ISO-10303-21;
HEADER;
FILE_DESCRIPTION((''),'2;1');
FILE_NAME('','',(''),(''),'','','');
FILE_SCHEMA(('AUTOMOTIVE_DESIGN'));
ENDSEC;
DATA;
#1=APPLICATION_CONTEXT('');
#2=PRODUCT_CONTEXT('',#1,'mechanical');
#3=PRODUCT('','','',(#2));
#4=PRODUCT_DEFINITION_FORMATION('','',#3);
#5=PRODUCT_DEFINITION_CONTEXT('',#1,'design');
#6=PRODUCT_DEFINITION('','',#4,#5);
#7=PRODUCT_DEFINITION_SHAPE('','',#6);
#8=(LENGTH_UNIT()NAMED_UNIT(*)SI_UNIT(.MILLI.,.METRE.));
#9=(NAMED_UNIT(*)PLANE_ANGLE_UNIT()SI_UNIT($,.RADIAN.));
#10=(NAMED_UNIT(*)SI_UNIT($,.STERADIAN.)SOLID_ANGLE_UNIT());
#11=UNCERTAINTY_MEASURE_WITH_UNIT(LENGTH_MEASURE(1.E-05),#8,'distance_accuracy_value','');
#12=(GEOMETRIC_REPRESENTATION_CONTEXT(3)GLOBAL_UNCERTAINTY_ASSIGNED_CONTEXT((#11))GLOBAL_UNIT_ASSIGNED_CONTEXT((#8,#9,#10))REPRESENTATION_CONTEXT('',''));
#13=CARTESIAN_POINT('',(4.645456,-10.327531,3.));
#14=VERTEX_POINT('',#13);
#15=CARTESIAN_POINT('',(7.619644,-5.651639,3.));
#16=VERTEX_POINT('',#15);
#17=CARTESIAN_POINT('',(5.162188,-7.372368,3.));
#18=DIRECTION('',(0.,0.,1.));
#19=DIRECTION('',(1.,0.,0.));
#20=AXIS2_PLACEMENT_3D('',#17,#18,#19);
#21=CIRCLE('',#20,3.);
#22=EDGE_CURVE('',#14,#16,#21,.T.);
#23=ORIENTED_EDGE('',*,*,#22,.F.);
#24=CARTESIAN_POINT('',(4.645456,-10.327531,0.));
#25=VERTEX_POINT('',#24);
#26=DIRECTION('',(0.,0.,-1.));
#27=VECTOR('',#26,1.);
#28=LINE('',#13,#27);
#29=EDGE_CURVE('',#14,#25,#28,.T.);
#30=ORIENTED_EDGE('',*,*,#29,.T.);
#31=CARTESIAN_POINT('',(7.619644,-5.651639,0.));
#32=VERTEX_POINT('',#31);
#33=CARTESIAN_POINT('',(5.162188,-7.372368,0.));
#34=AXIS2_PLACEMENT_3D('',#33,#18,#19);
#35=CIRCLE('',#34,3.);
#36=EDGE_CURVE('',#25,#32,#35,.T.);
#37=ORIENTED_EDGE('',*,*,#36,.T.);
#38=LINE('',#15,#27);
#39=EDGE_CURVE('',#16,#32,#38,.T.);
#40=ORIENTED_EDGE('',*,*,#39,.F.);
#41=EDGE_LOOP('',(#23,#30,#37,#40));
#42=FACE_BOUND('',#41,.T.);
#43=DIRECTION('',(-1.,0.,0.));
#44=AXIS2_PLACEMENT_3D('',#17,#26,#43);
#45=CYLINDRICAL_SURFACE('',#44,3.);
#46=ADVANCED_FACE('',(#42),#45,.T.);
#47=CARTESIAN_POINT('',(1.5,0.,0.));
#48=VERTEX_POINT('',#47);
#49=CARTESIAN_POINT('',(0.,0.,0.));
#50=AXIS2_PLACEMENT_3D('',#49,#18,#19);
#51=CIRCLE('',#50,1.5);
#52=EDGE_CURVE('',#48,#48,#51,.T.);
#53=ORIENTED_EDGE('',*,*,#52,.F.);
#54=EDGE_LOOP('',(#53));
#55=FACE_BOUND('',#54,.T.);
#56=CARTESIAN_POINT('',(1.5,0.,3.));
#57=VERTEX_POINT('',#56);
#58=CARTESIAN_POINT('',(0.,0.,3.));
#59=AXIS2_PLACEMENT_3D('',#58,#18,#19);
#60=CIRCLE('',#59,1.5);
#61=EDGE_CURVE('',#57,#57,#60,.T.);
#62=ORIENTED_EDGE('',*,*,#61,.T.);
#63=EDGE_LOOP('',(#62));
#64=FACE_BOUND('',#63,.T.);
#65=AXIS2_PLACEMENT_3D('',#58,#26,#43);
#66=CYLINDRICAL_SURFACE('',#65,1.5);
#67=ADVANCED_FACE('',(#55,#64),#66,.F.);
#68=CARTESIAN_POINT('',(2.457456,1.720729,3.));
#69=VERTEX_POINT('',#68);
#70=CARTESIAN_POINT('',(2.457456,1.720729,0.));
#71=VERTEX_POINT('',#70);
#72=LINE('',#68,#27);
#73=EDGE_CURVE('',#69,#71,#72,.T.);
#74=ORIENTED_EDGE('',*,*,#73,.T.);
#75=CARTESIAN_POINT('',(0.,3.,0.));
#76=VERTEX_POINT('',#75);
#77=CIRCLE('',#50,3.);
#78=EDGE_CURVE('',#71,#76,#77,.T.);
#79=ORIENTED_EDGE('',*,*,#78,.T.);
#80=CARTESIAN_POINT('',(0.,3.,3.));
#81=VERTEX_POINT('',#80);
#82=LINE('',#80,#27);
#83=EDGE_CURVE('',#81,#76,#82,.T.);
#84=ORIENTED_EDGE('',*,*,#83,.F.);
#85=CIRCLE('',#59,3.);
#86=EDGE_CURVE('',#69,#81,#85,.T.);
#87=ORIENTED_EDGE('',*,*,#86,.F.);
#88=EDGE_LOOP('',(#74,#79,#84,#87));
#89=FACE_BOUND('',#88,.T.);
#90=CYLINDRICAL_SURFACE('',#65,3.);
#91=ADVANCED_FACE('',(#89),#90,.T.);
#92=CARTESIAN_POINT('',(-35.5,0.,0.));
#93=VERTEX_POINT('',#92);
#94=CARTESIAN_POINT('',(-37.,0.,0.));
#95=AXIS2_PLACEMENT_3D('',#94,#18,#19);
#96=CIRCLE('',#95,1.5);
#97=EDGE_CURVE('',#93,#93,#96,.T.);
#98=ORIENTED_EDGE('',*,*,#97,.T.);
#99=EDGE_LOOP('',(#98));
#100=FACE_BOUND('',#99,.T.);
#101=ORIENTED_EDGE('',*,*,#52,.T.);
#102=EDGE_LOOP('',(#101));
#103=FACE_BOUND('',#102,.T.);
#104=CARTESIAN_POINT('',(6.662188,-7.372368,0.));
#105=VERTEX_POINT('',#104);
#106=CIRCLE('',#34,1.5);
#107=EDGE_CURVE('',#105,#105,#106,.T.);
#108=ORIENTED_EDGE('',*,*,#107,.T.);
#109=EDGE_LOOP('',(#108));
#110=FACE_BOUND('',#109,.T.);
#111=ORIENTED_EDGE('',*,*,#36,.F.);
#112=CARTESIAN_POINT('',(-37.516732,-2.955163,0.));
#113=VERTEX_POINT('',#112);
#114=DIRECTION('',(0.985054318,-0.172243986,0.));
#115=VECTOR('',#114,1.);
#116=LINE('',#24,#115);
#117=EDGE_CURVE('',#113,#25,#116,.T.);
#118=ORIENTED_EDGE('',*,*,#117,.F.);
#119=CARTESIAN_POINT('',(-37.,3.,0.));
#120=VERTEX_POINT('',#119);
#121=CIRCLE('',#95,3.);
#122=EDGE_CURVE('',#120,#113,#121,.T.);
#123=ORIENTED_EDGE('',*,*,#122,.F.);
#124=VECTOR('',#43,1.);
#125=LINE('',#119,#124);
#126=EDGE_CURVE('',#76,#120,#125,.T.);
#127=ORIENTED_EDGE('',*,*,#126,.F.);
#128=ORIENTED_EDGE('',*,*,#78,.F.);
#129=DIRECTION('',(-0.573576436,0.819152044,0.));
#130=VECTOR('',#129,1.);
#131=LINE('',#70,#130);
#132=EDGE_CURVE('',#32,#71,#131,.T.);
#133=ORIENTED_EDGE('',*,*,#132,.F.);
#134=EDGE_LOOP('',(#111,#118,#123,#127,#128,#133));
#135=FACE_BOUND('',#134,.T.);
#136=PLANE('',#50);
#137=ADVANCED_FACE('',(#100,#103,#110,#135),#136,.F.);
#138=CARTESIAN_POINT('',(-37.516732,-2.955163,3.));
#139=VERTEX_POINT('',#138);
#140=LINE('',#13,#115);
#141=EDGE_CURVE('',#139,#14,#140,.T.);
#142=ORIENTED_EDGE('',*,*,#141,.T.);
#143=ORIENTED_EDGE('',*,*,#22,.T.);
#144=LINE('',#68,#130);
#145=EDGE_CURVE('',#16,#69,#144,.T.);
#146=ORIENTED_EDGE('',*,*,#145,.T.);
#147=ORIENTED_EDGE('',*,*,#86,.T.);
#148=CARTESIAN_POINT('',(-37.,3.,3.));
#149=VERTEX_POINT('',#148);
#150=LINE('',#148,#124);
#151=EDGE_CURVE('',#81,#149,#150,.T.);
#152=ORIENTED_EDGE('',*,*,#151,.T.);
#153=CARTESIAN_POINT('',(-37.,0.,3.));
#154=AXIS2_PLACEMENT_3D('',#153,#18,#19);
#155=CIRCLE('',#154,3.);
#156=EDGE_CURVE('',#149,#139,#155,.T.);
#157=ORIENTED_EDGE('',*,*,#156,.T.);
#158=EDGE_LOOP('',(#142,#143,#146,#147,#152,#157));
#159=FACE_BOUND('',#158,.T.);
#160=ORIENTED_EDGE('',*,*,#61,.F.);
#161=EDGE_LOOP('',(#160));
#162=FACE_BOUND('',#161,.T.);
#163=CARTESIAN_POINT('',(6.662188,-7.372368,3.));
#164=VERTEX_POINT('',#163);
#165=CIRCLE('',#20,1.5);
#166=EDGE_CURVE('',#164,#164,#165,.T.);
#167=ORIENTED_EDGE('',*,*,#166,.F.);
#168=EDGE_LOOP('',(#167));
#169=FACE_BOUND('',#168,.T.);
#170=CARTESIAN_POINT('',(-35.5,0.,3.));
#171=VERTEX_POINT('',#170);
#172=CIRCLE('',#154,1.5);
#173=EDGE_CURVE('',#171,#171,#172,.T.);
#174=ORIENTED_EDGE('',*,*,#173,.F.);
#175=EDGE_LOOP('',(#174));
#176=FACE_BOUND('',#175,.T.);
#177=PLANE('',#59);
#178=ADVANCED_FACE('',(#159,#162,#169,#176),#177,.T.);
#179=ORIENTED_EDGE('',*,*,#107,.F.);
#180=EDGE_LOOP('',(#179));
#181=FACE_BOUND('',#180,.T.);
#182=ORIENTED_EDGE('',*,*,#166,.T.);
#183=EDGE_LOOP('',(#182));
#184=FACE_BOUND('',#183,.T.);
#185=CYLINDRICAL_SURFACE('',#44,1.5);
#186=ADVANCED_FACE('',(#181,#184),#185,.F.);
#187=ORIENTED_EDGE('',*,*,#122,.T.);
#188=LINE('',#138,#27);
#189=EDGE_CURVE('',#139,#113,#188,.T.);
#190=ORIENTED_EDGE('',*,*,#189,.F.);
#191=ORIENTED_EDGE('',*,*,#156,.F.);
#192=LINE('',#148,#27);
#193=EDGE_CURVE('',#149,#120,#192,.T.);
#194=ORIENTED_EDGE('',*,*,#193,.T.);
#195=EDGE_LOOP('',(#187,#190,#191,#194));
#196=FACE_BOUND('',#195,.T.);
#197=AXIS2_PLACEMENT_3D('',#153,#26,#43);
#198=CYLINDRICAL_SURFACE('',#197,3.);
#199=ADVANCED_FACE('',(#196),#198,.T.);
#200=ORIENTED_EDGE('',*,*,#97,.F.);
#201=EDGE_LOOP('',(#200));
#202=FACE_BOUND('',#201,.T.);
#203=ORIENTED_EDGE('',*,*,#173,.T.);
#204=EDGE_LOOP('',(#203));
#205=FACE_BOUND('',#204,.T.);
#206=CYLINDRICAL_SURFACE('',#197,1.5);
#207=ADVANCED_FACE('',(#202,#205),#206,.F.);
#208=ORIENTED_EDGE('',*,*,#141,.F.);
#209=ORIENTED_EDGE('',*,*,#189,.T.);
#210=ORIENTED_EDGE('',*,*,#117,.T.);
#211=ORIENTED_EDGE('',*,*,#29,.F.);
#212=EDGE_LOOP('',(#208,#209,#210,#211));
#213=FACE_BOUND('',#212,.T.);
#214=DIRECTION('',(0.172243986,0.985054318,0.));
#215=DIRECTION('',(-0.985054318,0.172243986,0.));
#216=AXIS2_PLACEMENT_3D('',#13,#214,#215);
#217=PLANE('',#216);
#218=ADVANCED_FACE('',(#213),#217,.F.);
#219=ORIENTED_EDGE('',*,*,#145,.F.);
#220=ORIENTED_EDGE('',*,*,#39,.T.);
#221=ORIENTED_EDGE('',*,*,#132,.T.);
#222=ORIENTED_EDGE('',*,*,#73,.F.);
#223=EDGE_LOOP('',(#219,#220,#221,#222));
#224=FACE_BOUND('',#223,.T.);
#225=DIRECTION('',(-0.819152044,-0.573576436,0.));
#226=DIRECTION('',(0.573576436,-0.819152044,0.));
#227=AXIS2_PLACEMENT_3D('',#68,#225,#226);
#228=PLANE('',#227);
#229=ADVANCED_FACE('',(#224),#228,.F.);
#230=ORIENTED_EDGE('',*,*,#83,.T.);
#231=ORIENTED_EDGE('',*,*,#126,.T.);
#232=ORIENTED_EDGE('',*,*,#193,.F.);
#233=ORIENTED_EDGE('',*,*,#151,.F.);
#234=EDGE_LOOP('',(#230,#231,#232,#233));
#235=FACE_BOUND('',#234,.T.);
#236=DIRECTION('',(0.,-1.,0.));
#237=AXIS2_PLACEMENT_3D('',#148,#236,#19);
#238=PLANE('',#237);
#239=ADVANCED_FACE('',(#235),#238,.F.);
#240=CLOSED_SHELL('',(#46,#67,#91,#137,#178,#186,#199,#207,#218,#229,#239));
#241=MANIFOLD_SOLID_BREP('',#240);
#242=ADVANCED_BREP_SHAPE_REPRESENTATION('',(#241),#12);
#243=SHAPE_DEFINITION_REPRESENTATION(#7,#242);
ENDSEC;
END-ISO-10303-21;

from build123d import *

# Parameters (mm, degrees)
SKETCH2_R           = 1.5
BOSS_EXTRUDE1_DEPTH = 3


with BuildPart() as part:
    # Sketch2 → Boss-Extrude1 (new body)
    with BuildSketch(Plane.XY):
        with BuildLine():
            Line((-37, 3), (0, 3))
            ThreePointArc((0, 3), (1.38524584, 2.6610325), (2.457456133, 1.720729309))
            Line((2.457456133, 1.720729309), (7.61964406, -5.65163909))
            ThreePointArc((7.61964406, -5.65163909), (7.693510643, -8.982463212), (4.645455968, -10.327531352))
            Line((4.645455968, -10.327531352), (-37.516731959, -2.955162954))
            ThreePointArc((-37.516731959, -2.955162954), (-39.988769719, 0.259336788), (-37, 3))
        make_face()
        with Locations((-37, 0)):
            Circle(SKETCH2_R, mode=Mode.SUBTRACT)
        Circle(SKETCH2_R, mode=Mode.SUBTRACT)
        with Locations((5.162187927, -7.372368399)):
            Circle(SKETCH2_R, mode=Mode.SUBTRACT)
    extrude(amount=BOSS_EXTRUDE1_DEPTH)


solid = part.part
